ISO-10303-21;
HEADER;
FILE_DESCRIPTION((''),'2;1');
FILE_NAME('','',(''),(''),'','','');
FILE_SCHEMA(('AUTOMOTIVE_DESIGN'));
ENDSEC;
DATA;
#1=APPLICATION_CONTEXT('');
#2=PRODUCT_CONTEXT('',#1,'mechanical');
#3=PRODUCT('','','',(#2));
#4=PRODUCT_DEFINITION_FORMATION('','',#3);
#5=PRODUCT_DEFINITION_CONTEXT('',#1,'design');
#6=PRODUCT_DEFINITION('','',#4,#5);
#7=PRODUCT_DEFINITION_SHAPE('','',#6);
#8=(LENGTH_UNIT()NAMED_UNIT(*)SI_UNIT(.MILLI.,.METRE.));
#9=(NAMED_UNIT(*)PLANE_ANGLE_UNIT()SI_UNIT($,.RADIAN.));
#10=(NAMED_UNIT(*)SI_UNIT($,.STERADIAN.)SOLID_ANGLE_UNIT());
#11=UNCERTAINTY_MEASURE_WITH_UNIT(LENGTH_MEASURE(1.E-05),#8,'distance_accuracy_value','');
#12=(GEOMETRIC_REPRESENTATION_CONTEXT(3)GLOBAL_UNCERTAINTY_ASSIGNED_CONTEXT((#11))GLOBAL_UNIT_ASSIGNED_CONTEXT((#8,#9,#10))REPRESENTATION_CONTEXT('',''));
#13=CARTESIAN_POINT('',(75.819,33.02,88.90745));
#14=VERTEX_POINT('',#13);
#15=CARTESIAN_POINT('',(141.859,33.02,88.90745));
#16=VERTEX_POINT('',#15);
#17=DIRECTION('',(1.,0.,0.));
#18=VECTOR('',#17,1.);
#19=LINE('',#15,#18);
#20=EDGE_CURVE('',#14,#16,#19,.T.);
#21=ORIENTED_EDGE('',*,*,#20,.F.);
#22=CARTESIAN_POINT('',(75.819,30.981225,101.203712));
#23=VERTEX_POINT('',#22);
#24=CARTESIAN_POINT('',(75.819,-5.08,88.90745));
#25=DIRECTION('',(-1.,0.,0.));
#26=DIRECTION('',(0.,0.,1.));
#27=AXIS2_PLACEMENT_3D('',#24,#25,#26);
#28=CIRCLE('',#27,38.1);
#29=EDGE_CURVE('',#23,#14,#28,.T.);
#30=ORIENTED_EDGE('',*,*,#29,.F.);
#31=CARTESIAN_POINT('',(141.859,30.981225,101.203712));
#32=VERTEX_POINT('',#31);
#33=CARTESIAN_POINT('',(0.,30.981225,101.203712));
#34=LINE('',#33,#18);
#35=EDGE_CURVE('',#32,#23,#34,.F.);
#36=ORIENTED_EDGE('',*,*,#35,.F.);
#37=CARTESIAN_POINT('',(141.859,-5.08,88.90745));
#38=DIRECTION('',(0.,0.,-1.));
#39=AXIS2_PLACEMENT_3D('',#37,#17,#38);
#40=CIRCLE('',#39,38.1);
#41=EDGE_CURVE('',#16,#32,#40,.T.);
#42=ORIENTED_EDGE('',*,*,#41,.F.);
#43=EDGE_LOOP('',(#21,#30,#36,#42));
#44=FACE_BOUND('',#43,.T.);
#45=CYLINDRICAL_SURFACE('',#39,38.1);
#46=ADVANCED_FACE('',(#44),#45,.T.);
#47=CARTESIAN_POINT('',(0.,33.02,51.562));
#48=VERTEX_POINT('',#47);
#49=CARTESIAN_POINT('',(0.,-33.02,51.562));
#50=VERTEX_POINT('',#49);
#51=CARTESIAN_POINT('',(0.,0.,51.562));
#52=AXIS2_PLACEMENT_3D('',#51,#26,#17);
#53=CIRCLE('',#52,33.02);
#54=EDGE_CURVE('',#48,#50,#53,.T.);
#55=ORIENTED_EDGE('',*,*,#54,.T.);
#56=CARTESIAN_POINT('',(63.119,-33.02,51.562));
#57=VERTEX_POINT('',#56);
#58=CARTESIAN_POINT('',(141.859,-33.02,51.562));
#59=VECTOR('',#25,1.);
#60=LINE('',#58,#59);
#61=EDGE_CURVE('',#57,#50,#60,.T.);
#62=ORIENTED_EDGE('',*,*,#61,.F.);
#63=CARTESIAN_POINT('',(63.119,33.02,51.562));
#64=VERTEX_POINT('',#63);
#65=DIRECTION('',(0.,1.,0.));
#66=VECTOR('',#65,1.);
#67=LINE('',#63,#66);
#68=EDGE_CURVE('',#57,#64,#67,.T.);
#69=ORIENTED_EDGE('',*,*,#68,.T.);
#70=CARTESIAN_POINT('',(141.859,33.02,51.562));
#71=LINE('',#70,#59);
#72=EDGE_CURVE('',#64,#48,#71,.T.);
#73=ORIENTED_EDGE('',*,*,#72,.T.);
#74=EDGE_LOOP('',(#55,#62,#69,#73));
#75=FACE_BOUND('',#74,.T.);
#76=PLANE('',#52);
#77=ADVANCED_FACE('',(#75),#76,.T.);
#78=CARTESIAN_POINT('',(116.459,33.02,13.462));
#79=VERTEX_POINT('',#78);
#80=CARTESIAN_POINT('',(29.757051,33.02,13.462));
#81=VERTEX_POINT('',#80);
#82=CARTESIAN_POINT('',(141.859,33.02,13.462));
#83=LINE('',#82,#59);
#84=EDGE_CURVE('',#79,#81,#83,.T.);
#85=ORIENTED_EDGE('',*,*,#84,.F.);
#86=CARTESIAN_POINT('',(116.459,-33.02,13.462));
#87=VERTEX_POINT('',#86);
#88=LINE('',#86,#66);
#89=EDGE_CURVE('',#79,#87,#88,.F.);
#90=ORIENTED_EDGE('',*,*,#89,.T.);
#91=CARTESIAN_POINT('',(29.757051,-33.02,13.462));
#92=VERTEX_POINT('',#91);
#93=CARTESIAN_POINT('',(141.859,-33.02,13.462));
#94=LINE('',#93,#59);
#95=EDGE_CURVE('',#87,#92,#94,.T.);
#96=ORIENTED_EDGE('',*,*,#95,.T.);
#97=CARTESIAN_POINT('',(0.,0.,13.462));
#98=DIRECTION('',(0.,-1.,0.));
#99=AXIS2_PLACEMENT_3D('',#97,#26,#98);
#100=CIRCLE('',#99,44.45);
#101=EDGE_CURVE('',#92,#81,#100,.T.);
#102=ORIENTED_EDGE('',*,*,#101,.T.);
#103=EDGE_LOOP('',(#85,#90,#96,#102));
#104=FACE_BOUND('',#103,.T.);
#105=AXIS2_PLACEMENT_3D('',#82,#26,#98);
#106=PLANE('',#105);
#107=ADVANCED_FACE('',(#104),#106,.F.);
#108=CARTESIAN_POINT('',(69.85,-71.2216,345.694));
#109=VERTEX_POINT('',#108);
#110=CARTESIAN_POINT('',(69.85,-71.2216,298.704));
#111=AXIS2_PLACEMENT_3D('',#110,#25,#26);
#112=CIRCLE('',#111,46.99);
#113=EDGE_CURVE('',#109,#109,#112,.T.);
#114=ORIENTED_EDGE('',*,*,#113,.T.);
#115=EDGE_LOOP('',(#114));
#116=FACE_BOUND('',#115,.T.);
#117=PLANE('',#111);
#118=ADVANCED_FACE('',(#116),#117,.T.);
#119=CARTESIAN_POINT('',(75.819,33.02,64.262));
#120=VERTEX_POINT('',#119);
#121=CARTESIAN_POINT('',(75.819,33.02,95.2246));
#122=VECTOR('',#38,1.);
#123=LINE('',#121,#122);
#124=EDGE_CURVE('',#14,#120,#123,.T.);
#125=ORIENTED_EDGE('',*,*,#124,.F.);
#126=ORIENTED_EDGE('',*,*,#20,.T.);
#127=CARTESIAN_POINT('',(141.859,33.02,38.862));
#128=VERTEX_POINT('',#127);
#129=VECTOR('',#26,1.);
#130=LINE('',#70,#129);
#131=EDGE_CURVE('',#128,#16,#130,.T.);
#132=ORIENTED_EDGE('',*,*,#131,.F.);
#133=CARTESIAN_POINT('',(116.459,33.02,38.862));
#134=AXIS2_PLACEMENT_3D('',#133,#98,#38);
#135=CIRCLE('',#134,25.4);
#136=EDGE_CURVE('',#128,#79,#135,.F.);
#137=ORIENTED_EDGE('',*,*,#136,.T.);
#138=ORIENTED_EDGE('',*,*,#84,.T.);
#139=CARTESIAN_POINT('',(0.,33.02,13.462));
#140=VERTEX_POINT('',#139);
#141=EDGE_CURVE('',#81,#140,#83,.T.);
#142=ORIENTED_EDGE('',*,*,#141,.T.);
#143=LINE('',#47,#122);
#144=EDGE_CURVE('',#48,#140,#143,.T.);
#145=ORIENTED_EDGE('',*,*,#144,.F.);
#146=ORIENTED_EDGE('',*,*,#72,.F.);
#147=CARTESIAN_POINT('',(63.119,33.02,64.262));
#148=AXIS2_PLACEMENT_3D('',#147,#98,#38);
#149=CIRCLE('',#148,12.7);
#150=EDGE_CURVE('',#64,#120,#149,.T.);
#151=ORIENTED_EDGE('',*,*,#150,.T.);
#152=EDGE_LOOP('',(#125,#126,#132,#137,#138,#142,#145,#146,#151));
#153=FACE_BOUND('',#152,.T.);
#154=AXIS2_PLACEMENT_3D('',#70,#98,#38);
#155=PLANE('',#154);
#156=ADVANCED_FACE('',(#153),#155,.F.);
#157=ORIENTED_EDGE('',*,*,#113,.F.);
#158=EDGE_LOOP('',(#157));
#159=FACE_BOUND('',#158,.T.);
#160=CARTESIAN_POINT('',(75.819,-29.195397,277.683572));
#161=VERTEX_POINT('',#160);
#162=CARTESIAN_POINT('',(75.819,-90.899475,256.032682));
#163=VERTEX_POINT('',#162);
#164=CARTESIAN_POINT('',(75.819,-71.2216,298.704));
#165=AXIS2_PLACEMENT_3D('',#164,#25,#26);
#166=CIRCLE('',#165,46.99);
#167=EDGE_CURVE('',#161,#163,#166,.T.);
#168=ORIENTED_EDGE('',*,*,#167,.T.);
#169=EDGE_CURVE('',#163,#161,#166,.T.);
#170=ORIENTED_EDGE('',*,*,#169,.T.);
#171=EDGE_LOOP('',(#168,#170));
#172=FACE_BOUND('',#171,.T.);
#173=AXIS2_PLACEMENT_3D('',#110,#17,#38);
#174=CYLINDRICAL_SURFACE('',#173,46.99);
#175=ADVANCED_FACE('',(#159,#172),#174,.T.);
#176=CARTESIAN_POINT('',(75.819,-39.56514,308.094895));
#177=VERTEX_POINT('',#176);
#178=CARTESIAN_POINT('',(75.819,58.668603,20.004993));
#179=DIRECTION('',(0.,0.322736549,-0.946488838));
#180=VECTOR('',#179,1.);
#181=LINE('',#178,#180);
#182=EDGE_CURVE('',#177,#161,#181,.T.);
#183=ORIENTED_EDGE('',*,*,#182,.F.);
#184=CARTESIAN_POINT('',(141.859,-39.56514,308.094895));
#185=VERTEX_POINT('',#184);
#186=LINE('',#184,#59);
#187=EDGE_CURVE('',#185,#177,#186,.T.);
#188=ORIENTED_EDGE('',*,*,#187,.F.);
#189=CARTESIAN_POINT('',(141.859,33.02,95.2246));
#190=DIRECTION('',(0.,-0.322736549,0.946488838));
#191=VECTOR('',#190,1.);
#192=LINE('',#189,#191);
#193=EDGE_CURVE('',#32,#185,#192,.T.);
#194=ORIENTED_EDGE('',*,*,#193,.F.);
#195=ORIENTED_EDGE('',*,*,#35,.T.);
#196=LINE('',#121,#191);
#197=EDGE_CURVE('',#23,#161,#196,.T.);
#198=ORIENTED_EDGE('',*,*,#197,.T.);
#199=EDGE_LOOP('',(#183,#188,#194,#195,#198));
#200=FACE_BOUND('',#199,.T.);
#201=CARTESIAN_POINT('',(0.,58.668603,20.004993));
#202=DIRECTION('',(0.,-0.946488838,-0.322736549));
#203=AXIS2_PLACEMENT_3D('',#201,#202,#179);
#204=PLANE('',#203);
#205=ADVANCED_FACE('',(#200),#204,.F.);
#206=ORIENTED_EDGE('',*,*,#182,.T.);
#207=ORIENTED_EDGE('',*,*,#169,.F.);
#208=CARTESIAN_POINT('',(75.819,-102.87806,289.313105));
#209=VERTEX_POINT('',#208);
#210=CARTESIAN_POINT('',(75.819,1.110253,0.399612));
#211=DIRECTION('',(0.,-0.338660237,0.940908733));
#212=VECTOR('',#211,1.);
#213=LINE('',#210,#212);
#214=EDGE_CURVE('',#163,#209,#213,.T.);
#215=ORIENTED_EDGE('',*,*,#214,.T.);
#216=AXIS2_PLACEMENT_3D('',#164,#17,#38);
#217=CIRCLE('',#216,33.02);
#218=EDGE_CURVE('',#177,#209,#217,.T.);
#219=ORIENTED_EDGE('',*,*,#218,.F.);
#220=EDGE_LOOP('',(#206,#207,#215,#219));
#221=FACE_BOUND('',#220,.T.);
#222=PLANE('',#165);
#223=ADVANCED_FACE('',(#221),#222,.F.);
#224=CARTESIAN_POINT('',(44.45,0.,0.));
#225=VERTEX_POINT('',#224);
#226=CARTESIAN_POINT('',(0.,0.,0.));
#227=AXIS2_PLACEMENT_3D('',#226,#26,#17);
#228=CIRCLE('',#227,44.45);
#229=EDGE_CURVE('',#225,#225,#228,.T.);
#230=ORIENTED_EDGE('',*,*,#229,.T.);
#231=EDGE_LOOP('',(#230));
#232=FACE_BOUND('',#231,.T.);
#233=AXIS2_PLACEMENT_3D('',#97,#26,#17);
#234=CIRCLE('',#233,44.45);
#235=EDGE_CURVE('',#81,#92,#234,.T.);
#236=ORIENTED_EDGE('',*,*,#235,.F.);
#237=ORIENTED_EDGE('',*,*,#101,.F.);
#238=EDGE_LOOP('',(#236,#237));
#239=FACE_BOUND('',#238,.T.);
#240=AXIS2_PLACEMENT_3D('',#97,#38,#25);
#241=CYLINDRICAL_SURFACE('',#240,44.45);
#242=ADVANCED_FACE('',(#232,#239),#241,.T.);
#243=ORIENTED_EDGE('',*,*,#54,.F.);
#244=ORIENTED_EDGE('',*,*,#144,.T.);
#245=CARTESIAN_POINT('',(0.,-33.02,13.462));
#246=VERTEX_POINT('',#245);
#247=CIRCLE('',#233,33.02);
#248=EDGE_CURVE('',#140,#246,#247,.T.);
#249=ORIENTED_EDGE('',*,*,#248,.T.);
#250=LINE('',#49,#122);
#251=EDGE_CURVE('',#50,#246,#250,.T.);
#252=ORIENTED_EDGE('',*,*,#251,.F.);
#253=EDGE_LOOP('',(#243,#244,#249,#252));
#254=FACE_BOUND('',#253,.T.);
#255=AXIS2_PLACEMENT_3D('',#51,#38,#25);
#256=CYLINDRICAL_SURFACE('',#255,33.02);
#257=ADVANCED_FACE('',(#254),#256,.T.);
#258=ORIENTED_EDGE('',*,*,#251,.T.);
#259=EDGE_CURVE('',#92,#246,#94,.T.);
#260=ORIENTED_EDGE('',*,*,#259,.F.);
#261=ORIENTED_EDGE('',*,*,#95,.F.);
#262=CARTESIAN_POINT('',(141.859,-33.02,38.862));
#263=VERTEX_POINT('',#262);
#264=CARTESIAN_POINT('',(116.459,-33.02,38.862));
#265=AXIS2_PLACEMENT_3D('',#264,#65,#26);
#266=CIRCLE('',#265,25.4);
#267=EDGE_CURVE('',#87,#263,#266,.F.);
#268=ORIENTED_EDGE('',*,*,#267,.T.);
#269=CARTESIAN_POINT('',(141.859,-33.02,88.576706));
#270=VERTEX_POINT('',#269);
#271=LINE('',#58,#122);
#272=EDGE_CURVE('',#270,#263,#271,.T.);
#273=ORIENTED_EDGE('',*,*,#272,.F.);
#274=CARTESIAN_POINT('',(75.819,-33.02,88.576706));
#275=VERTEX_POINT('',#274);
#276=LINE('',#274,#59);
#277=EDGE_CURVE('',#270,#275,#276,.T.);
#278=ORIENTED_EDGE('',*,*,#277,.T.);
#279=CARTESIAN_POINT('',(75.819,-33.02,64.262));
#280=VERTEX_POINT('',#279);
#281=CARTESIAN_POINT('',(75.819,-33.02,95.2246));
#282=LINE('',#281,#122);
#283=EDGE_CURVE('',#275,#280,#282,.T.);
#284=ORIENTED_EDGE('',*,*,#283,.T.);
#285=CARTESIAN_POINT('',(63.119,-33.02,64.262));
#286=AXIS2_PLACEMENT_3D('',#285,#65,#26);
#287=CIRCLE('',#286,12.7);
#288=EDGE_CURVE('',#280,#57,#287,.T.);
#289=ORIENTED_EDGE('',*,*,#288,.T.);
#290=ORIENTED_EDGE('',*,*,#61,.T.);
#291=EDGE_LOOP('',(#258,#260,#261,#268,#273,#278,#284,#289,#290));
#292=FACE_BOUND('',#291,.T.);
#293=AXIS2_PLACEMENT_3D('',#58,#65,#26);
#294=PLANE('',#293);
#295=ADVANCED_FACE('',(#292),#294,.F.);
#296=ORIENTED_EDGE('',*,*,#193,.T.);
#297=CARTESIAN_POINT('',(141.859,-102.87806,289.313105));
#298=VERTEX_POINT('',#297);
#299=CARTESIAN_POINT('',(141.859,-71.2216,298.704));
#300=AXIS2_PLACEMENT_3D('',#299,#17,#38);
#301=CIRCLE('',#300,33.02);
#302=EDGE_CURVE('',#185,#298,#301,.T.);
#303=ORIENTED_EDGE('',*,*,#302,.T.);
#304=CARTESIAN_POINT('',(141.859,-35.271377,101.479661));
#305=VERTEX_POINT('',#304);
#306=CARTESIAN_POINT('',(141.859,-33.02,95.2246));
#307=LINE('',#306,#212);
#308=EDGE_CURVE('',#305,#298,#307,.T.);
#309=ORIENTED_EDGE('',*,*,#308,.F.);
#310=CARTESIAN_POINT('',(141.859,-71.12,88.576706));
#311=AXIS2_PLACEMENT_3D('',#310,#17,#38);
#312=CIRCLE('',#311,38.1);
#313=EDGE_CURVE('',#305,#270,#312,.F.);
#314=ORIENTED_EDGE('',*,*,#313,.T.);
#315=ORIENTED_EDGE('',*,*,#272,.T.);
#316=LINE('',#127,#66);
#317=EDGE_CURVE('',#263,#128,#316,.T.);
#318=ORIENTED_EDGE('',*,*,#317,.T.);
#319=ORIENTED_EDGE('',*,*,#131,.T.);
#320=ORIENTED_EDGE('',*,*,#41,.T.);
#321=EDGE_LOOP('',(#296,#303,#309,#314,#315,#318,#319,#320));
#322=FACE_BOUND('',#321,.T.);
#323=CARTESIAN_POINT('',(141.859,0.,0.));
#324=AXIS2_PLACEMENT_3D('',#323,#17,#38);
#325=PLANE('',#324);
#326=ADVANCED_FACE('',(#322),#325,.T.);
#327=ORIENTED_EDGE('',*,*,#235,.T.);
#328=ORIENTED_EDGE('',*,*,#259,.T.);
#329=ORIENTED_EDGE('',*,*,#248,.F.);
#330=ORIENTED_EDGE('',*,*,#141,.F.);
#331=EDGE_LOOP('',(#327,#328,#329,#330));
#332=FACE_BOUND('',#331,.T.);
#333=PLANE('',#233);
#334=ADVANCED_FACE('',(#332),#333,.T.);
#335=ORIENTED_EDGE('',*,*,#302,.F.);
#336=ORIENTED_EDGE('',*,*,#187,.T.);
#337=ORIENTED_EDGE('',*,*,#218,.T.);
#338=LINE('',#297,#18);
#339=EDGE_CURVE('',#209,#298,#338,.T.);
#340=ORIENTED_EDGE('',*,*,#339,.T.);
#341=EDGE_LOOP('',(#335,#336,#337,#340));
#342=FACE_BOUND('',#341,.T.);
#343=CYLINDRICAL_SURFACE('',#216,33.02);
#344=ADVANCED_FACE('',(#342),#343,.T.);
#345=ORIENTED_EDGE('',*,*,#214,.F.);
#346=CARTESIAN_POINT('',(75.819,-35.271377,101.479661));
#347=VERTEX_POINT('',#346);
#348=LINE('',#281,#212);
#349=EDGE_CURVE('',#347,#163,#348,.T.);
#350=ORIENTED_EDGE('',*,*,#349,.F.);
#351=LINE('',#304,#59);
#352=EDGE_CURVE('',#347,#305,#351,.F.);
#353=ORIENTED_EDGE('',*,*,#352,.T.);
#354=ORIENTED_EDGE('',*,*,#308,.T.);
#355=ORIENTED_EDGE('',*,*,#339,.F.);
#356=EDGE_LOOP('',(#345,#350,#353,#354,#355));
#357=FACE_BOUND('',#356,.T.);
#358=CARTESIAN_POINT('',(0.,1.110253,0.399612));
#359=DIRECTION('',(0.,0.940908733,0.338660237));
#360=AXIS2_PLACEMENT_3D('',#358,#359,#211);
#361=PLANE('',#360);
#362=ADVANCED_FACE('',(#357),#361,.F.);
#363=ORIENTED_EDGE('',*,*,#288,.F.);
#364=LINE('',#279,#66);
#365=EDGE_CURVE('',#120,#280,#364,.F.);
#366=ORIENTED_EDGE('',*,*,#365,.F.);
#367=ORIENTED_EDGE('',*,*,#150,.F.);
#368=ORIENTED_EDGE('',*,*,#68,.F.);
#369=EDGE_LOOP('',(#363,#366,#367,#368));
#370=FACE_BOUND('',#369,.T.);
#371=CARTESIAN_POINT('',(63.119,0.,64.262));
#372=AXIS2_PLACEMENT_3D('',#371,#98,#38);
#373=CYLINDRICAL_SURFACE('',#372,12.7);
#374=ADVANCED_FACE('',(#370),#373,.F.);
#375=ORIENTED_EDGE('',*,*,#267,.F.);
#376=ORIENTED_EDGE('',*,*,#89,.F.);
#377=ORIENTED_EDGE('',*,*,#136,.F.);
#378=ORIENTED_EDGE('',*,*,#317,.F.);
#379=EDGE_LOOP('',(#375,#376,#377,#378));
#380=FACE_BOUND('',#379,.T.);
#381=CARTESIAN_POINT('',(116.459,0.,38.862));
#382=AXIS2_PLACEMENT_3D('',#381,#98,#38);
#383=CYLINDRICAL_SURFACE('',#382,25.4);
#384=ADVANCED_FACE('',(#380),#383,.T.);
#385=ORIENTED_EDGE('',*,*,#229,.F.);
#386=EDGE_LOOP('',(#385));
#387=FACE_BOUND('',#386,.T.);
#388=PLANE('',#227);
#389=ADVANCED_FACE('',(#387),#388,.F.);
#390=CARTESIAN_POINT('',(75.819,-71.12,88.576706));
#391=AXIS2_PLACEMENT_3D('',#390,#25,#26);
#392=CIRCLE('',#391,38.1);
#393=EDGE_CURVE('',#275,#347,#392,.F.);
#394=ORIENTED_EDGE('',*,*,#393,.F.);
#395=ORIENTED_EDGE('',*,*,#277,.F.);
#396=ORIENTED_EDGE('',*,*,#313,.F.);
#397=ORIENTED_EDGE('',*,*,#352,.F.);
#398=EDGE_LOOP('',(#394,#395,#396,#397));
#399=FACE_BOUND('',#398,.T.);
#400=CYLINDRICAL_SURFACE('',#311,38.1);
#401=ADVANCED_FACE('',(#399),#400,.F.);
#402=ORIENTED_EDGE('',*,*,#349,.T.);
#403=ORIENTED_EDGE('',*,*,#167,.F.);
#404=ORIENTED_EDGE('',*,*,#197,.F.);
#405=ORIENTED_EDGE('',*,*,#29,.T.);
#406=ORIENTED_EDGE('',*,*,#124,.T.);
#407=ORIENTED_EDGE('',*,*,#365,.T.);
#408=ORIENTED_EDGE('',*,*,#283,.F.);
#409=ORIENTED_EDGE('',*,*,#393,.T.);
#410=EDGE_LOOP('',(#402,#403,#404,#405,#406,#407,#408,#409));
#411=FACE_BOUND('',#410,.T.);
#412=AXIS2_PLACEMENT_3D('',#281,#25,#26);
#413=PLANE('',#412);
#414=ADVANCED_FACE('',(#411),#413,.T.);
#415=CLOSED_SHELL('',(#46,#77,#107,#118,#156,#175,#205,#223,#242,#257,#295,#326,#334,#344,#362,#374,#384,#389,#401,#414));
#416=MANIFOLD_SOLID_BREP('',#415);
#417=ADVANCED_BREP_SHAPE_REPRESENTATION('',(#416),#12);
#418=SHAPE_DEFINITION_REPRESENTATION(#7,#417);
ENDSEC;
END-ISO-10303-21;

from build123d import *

# Parameters (mm, degrees)
SKETCH2_R           = 44.45
BOSS_EXTRUDE1_DEPTH = 13.462
BOSS_EXTRUDE2_DEPTH = 38.1
SKETCH4_W           = 38.1
SKETCH4_H           = 66.04
BOSS_EXTRUDE3_DEPTH = 141.859
SKETCH5_W           = 66.04
SKETCH5_H           = 66.04
BOSS_EXTRUDE4_DEPTH = 43.6626
FILLET1_R           = 25.4
FILLET2_R           = 12.7
FILLET4_R           = 38.1
BOSS_EXTRUDE5_DEPTH = 66.04
SKETCH12_R          = 46.99
BOSS_EXTRUDE6_DEPTH = 5.969


with BuildPart() as part:
    # Sketch2 → Boss-Extrude1 (new body)
    with BuildSketch(Plane.XY):
        Circle(SKETCH2_R)
    extrude(amount=BOSS_EXTRUDE1_DEPTH)

    # Sketch3 → Boss-Extrude2 (add)
    with BuildSketch(Plane.XY.offset(13.462)):
        with BuildLine():
            Line((0, 33.02), (0, -33.02))
            ThreePointArc((0, -33.02), (-33.02, 0), (0, 33.02))
        make_face()
    extrude(amount=BOSS_EXTRUDE2_DEPTH)

    # Sketch4 → Boss-Extrude3 (add)
    with BuildSketch(Plane(origin=(0, 0, 0), x_dir=(0, 0, -1), z_dir=(1, 0, 0))):
        with Locations((-32.512, 0)):
            Rectangle(SKETCH4_W, SKETCH4_H)
    extrude(amount=BOSS_EXTRUDE3_DEPTH)

    # Sketch5 → Boss-Extrude4 (add)
    with BuildSketch(Plane(origin=(0, 18.542, 51.562), x_dir=(1, 0, 0), z_dir=(0, 0, -1))):
        with Locations((108.839, 18.542)):
            Rectangle(SKETCH5_W, SKETCH5_H)
    extrude(amount=-BOSS_EXTRUDE4_DEPTH)

    # Fillet1
    fillet1_edges = [part.edges().sort_by_distance(p)[0] for p in [
        (141.859, 0, 13.462),
    ]]
    fillet(fillet1_edges, radius=FILLET1_R)

    # Fillet2
    fillet2_edges = [part.edges().sort_by_distance(p)[0] for p in [
        (75.819, 0, 51.562),
    ]]
    fillet(fillet2_edges, radius=FILLET2_R)

    # Sketch8 → Loft1 section 0
    with BuildSketch(Plane(origin=(0, 0, 95.2246), x_dir=(0, -1, 0), z_dir=(0, 0, 1))):
        with BuildLine():
            Line((-33.02, 75.819), (33.02, 75.819))
            Line((33.02, 75.819), (33.02, 141.859))
            Line((33.02, 141.859), (-33.02, 141.859))
            Line((-33.02, 141.859), (-33.02, 75.819))
        make_face()
    # Sketch10 → Loft1 section 1
    with BuildSketch(Plane(origin=(0, -87.20411689, 293.962783253), x_dir=(-1, 0, 0), z_dir=(0, -0.2844002167201493, 0.958705646551397))):
        with BuildLine():
            Line((-141.859, 16.349067741), (-75.819, 16.349067741))
            Line((-75.819, 16.349067741), (-75.819, -49.690932259))
            Line((-75.819, -49.690932259), (-141.859, -49.690932259))
            Line((-141.859, -49.690932259), (-141.859, 16.349067741))
        make_face()
    loft()

    # Fillet4
    fillet4_edges = [part.edges().sort_by_distance(p)[0] for p in [
        (108.839, 33.02, 95.2246),
        (108.839, -33.02, 95.2246),
    ]]
    fillet(fillet4_edges, radius=FILLET4_R)

    # Sketch11 → Boss-Extrude5 (add)
    with BuildSketch(Plane(origin=(141.859, 0, 0), x_dir=(0, 0, -1), z_dir=(1, 0, 0))):
        with BuildLine():
            Line((-308.094895156, -39.565139551), (-289.313104844, -102.878060449))
            ThreePointArc((-289.313104844, -102.878060449), (-330.360460449, -80.612495156), (-308.094895156, -39.565139551))
        make_face()
    extrude(amount=-BOSS_EXTRUDE5_DEPTH)

    # Sketch12 → Boss-Extrude6 (add)
    with BuildSketch(Plane.ZY.offset(-75.819)):
        with Locations((298.704, -71.2216)):
            Circle(SKETCH12_R)
    extrude(amount=BOSS_EXTRUDE6_DEPTH)


solid = part.part
